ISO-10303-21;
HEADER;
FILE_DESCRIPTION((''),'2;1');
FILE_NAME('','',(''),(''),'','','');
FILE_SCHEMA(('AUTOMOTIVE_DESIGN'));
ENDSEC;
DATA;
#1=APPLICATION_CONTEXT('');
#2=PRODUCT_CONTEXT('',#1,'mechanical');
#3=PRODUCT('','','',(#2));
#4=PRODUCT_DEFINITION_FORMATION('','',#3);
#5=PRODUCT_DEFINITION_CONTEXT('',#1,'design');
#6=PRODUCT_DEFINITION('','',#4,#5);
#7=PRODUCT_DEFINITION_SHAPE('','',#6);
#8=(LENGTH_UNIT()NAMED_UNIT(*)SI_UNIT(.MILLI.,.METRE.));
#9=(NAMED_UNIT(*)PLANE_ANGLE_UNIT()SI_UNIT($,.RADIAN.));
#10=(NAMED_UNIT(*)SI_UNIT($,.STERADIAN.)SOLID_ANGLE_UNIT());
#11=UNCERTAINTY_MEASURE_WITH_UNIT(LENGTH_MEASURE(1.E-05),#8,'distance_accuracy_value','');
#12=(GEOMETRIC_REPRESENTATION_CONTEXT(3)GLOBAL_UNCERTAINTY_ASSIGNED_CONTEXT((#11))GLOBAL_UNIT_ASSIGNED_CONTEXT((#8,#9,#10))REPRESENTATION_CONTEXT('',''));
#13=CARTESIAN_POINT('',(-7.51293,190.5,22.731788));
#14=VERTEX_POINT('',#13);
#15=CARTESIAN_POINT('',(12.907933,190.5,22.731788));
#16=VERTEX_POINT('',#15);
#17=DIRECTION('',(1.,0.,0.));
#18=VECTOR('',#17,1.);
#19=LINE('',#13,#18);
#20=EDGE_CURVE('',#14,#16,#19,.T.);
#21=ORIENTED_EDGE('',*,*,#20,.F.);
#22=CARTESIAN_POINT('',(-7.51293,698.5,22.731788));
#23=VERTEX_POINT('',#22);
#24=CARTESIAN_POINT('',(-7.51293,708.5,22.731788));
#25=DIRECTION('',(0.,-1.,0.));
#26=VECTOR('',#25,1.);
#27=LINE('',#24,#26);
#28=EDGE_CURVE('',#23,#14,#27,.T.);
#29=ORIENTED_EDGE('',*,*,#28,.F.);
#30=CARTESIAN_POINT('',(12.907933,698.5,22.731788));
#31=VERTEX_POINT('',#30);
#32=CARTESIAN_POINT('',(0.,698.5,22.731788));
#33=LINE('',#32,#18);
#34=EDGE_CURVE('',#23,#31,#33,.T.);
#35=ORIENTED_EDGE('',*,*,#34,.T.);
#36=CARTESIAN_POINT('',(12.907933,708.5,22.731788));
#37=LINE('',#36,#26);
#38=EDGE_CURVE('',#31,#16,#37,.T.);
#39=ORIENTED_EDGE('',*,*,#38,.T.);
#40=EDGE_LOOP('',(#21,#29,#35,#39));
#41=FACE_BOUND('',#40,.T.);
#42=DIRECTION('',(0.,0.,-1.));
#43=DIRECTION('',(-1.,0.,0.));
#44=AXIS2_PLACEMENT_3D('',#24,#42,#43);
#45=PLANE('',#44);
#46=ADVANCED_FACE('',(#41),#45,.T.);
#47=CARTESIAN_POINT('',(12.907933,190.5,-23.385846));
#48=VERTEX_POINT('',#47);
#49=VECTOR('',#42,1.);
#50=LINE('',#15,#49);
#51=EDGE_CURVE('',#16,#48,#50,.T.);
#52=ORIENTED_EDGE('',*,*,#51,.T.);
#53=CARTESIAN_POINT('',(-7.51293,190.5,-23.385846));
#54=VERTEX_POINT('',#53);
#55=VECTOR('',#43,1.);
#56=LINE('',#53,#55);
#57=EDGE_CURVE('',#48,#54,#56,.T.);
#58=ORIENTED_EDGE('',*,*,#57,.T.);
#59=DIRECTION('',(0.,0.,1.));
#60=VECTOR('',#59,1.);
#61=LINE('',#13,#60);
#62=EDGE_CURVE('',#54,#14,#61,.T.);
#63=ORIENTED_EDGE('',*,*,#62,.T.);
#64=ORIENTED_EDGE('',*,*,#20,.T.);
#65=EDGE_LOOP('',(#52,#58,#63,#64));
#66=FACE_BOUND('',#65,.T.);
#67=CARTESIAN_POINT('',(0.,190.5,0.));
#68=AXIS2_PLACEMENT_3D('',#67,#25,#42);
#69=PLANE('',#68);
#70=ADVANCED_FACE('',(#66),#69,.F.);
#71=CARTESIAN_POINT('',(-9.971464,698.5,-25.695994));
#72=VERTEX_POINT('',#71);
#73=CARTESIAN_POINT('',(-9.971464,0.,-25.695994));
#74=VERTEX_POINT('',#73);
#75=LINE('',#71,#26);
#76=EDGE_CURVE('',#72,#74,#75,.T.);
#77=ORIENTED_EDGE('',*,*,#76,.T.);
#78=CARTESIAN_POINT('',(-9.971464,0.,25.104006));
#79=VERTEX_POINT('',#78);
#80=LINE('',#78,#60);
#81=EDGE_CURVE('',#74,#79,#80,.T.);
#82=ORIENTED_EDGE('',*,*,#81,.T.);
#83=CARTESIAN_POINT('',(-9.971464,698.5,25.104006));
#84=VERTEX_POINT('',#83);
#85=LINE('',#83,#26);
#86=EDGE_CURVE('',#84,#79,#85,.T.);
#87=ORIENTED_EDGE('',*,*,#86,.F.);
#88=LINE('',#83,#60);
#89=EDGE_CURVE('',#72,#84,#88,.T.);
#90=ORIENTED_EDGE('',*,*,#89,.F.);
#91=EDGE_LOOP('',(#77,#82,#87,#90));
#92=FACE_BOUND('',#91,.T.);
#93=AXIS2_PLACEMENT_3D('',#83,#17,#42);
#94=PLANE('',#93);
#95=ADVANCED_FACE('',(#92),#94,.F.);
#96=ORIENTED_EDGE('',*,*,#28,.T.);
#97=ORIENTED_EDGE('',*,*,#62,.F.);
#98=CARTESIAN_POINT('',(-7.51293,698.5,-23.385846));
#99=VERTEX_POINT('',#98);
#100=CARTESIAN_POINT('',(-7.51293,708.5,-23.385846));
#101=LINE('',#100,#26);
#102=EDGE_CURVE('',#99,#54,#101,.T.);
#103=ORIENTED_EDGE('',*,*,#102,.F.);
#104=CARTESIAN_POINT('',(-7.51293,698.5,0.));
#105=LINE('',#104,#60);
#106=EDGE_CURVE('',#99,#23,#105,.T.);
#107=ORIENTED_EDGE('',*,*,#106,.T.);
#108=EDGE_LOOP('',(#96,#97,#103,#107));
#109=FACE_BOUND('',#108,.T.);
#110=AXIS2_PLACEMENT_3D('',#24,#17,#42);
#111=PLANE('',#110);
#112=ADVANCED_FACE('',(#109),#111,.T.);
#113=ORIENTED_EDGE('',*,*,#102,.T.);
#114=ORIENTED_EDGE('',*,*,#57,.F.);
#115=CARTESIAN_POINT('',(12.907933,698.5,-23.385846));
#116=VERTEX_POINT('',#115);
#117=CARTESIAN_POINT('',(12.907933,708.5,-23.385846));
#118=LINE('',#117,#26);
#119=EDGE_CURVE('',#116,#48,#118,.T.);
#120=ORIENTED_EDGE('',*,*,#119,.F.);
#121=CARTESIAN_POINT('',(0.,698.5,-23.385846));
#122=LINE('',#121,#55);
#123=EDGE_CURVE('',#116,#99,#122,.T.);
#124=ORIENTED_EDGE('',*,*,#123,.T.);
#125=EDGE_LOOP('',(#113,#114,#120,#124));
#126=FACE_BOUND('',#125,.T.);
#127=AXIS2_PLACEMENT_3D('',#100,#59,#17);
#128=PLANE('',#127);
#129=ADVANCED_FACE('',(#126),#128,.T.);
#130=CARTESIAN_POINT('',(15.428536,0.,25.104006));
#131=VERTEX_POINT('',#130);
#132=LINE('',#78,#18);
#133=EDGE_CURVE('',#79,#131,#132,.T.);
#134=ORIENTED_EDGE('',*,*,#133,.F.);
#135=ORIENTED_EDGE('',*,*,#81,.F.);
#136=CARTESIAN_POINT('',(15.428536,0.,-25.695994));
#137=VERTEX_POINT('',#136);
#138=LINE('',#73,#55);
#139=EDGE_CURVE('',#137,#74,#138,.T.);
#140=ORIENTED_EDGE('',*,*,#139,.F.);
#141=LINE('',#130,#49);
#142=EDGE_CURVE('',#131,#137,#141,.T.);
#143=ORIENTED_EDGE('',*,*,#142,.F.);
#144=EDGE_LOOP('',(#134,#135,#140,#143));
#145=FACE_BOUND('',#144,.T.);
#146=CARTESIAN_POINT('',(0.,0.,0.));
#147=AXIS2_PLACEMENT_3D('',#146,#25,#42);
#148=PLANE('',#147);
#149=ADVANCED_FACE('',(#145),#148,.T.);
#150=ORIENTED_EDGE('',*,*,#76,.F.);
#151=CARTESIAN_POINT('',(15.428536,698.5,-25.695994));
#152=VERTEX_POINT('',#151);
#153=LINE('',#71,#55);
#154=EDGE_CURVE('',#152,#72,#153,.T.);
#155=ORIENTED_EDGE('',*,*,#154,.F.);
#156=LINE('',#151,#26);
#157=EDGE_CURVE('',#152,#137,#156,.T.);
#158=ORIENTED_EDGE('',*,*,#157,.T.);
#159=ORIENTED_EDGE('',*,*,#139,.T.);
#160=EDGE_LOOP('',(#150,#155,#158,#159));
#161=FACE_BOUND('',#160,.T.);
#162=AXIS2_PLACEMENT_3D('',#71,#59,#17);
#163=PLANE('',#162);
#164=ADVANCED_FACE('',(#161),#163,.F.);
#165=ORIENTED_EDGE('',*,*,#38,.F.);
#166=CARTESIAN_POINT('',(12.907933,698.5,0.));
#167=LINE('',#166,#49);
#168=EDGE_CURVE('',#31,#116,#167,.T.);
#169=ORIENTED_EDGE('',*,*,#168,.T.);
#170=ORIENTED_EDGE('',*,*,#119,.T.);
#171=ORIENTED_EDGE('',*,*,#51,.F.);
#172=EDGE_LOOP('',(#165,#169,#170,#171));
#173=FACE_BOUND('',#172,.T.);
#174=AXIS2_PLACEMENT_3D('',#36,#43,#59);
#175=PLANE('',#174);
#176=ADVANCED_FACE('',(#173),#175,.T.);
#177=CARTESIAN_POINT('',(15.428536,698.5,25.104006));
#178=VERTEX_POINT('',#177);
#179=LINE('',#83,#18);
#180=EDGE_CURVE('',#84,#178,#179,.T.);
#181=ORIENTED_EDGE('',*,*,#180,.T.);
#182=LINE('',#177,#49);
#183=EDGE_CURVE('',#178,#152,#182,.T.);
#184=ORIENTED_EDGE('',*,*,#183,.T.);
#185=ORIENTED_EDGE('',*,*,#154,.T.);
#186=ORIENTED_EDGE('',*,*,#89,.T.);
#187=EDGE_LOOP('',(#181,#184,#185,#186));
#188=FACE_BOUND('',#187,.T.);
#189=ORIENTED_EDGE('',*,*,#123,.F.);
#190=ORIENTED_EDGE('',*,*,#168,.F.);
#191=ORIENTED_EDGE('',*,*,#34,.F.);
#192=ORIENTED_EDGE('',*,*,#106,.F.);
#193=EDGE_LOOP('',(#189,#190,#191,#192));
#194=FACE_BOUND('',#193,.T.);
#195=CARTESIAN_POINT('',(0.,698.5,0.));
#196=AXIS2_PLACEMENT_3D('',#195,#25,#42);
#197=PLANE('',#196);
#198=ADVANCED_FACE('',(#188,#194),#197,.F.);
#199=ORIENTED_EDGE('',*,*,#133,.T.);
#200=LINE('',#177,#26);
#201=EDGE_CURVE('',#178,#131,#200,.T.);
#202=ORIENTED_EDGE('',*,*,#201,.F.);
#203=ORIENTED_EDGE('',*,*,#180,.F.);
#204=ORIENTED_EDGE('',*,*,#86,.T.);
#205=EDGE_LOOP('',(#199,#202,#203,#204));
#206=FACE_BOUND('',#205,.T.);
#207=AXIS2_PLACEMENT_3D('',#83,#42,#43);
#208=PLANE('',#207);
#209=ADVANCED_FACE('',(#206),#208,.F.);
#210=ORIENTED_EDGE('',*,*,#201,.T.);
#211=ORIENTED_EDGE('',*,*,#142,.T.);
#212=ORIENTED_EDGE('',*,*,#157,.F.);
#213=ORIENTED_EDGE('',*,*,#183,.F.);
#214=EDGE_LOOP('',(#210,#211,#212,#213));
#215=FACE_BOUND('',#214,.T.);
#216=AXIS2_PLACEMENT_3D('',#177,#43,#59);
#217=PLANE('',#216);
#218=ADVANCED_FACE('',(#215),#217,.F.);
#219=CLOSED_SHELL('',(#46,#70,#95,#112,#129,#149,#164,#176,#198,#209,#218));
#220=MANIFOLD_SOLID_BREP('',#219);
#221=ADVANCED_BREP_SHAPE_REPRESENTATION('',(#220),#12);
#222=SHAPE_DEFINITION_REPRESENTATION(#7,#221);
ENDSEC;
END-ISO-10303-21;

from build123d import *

# Parameters (mm, degrees)
SKETCH1_W               = 25.4
SKETCH1_H               = 50.8
BOSS_EXTRUDE1_DEPTH     = 698.5
CUT_EXTRUDE1_DEPTH      = 10
CUT_EXTRUDE1_DEPTH_BACK = 508
SKETCH5_W               = 20.420863107
SKETCH5_H               = 46.117633818


with BuildPart() as part:
    # Sketch1 → Boss-Extrude1 (new body)
    with BuildSketch(Plane(origin=(0, 0, 0), x_dir=(1, 0, 0), z_dir=(0, 1, 0))):
        with Locations((2.728536082, 0.295993891)):
            Rectangle(SKETCH1_W, SKETCH1_H)
    extrude(amount=BOSS_EXTRUDE1_DEPTH)

    # Sketch5 → Cut-Extrude1 (cut, two sides: drawn at the far end of the back side and taken through both)
    with BuildSketch(Plane(origin=(0, 698.5, 0), x_dir=(1, 0, 0), z_dir=(0, 1, 0)).offset(-CUT_EXTRUDE1_DEPTH_BACK)):
        with Locations((2.697501427, 0.327028619)):
            Rectangle(SKETCH5_W, SKETCH5_H)
    extrude(amount=CUT_EXTRUDE1_DEPTH + CUT_EXTRUDE1_DEPTH_BACK, mode=Mode.SUBTRACT)


solid = part.part
